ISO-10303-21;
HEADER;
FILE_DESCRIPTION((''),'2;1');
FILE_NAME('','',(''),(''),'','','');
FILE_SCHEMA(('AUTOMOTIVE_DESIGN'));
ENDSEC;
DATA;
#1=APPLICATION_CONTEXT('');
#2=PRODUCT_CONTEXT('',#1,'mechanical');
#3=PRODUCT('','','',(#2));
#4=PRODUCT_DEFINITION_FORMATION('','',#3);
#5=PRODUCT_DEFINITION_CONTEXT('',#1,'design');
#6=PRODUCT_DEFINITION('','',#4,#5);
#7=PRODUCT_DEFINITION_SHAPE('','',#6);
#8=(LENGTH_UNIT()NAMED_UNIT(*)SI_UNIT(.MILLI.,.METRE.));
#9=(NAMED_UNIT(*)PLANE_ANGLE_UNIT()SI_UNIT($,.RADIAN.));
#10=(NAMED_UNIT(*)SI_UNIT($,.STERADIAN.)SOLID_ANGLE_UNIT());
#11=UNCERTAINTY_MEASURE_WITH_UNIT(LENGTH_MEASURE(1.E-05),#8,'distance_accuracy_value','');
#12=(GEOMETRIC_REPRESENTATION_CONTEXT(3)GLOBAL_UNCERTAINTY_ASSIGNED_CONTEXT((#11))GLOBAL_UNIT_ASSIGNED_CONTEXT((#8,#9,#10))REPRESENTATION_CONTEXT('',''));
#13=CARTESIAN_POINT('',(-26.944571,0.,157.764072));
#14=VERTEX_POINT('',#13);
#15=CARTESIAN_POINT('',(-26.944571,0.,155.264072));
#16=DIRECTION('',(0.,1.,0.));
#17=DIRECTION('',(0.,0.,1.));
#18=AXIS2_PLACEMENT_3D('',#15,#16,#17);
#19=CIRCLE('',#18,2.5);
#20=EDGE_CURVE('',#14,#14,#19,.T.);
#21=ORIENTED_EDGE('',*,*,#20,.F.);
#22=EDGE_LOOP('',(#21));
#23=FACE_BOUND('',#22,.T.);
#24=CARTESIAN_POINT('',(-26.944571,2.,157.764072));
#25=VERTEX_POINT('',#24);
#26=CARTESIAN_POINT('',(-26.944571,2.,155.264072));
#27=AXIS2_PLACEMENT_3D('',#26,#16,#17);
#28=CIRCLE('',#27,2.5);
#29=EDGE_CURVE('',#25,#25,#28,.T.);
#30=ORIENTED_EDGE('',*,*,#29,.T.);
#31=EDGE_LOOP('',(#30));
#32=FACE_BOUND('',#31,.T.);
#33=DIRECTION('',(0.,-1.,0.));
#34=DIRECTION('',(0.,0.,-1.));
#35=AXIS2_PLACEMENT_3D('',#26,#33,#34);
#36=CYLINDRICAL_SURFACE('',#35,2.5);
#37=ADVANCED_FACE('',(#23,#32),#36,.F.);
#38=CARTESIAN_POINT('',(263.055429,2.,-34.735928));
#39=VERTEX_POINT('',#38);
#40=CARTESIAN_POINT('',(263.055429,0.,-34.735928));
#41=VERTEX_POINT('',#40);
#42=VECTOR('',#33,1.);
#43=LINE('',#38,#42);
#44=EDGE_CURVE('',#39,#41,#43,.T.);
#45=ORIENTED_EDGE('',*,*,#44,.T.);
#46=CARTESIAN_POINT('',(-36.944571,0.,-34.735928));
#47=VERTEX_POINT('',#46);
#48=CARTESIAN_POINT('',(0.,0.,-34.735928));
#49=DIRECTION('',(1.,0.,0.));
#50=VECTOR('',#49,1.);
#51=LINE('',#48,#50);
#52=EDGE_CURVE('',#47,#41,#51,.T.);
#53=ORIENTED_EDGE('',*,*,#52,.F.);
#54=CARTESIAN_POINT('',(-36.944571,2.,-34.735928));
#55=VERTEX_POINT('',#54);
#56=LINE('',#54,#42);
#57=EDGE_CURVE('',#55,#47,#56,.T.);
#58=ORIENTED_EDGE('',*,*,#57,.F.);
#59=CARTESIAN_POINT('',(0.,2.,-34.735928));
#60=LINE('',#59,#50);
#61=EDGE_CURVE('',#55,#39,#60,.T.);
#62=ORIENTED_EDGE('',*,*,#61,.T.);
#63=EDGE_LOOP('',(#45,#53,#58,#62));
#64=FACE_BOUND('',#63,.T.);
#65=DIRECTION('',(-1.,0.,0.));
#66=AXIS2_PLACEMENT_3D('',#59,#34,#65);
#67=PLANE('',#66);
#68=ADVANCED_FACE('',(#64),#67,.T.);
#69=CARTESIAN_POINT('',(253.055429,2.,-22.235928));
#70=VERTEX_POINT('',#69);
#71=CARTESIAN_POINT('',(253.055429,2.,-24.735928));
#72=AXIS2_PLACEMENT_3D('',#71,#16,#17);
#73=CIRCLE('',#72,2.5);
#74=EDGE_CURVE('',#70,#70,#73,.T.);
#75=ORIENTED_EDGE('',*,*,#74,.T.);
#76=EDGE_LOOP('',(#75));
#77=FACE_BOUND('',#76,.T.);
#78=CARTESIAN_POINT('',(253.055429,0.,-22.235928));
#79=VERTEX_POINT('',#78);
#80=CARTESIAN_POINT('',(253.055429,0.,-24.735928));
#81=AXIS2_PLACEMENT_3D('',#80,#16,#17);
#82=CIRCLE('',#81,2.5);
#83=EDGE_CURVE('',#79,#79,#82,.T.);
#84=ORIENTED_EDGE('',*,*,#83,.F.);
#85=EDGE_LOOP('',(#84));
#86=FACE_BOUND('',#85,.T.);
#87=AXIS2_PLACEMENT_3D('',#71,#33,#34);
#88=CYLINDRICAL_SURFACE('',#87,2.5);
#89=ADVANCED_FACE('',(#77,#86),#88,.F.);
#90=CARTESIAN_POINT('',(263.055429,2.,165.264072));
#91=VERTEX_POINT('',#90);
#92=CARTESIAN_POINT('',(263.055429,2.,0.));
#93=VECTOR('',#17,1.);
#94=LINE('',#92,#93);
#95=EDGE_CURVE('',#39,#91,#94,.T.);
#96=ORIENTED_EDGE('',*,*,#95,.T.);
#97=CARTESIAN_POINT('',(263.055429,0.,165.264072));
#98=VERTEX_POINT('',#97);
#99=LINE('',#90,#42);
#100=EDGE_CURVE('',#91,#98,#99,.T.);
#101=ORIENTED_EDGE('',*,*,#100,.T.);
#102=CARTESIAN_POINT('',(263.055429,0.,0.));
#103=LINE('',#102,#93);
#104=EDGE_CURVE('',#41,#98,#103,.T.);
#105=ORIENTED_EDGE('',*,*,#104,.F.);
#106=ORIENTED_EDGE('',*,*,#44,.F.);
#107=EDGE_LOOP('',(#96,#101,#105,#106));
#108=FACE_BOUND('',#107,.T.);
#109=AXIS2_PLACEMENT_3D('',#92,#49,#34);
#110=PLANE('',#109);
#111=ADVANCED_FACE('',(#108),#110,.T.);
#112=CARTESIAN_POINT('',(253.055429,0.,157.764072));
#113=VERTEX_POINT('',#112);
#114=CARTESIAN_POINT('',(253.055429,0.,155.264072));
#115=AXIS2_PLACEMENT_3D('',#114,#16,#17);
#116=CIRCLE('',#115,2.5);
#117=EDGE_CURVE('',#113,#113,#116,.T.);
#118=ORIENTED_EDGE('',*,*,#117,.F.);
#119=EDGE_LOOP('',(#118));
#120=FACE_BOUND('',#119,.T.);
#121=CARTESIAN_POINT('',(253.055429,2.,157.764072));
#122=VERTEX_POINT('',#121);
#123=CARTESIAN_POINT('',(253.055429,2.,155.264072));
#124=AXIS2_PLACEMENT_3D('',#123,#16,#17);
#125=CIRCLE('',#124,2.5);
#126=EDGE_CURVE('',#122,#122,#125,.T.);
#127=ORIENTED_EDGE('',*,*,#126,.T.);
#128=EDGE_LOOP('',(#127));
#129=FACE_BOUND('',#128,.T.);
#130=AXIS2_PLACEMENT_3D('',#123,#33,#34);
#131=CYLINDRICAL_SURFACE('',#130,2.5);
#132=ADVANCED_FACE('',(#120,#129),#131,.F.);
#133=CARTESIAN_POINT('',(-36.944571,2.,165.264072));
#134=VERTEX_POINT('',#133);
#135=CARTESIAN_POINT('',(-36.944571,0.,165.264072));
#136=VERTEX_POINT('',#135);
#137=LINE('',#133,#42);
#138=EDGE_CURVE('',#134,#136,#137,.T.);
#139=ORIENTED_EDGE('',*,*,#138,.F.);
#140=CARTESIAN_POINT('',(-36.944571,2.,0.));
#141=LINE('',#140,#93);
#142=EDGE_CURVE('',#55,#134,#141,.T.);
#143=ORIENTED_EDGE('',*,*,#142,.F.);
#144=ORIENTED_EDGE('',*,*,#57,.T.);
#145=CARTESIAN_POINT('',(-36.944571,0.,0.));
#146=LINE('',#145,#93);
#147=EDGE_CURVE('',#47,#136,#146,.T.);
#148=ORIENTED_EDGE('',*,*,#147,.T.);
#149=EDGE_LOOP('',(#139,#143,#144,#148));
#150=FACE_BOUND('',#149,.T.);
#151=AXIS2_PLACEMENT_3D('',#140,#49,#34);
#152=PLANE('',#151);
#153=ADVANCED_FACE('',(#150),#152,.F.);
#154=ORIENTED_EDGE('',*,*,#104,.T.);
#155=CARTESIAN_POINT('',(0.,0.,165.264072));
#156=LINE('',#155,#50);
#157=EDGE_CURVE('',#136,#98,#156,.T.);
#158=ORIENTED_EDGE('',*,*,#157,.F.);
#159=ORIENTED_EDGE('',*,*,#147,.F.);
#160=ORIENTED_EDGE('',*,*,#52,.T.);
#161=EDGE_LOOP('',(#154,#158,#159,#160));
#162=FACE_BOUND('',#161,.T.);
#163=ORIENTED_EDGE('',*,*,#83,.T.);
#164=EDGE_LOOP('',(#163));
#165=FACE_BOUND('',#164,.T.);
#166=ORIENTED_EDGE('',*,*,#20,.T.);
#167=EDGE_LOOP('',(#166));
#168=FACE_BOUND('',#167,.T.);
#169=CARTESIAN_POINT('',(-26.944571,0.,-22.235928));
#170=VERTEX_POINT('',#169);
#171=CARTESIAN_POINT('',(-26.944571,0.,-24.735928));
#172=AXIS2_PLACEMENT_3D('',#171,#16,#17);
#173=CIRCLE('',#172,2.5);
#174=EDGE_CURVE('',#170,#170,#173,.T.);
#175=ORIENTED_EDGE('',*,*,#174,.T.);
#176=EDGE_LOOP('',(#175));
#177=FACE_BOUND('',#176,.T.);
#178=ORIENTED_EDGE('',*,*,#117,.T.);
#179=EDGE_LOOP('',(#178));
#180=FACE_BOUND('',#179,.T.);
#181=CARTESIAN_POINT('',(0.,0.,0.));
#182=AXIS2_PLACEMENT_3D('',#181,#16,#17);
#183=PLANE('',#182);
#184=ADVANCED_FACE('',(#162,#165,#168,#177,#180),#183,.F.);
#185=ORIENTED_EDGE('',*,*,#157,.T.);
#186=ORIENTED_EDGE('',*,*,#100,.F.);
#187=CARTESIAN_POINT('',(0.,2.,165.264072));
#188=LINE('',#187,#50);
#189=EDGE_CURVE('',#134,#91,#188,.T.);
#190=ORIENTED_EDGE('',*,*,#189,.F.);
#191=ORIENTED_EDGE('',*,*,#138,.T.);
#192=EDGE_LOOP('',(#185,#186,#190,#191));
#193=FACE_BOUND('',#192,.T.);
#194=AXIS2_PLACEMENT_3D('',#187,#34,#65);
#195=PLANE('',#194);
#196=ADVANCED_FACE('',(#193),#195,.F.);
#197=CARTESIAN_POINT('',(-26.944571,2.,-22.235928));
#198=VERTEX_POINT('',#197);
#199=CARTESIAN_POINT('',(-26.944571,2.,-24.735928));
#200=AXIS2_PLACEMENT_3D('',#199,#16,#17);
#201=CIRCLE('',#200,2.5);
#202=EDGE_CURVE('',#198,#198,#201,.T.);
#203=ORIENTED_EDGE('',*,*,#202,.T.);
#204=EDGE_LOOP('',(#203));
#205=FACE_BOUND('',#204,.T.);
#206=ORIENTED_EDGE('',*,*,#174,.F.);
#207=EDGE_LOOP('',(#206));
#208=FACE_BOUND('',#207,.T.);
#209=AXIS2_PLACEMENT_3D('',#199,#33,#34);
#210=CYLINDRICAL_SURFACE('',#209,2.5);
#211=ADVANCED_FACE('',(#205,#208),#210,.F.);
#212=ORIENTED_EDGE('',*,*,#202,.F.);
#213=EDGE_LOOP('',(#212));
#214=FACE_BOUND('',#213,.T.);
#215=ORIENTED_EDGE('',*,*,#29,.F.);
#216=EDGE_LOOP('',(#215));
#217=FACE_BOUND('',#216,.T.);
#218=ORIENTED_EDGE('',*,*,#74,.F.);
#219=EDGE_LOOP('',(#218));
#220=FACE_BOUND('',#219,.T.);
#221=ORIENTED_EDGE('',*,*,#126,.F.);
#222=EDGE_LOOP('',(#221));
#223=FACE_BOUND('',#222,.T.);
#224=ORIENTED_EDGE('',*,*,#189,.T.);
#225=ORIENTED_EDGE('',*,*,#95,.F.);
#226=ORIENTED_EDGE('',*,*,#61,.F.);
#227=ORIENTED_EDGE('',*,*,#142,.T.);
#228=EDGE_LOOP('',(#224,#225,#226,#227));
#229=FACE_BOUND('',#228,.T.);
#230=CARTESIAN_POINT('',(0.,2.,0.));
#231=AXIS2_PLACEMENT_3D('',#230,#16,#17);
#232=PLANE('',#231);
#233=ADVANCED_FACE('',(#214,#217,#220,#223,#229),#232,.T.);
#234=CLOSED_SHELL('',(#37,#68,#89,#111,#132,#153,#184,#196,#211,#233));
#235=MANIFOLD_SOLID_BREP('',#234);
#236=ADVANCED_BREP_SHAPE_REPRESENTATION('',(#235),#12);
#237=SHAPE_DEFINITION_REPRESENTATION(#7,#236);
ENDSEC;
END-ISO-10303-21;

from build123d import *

# Parameters (mm, degrees)
ESBO_O1_R                = 2.5
RESSALTO_EXTRUS_O1_DEPTH = 2


with BuildPart() as part:
    # Esboço1 → Ressalto-extrusão1 (new body)
    with BuildSketch(Plane(origin=(0, 0, 0), x_dir=(1, 0, 0), z_dir=(0, 1, 0))):
        Polygon((-26.94457055, 34.735927746), (-36.94457055, 34.735927746), (-36.94457055, -165.264072254), (-26.94457055, -165.264072254), (253.05542945, -165.264072254), (263.05542945, -165.264072254), (263.05542945, 34.735927746), (253.05542945, 34.735927746), align=None)
        with Locations(Location((-26.94457055, -155.264072254, 0), (0, 0, 270))):
            Circle(ESBO_O1_R, mode=Mode.SUBTRACT)
        with Locations(Location((253.05542945, -155.264072254, 0), (0, 0, 270))):
            Circle(ESBO_O1_R, mode=Mode.SUBTRACT)
        with Locations(Location((-26.94457055, 24.735927746, 0), (0, 0, 270))):
            Circle(ESBO_O1_R, mode=Mode.SUBTRACT)
        with Locations(Location((253.05542945, 24.735927746, 0), (0, 0, 270))):
            Circle(ESBO_O1_R, mode=Mode.SUBTRACT)
    extrude(amount=RESSALTO_EXTRUS_O1_DEPTH)


solid = part.part
